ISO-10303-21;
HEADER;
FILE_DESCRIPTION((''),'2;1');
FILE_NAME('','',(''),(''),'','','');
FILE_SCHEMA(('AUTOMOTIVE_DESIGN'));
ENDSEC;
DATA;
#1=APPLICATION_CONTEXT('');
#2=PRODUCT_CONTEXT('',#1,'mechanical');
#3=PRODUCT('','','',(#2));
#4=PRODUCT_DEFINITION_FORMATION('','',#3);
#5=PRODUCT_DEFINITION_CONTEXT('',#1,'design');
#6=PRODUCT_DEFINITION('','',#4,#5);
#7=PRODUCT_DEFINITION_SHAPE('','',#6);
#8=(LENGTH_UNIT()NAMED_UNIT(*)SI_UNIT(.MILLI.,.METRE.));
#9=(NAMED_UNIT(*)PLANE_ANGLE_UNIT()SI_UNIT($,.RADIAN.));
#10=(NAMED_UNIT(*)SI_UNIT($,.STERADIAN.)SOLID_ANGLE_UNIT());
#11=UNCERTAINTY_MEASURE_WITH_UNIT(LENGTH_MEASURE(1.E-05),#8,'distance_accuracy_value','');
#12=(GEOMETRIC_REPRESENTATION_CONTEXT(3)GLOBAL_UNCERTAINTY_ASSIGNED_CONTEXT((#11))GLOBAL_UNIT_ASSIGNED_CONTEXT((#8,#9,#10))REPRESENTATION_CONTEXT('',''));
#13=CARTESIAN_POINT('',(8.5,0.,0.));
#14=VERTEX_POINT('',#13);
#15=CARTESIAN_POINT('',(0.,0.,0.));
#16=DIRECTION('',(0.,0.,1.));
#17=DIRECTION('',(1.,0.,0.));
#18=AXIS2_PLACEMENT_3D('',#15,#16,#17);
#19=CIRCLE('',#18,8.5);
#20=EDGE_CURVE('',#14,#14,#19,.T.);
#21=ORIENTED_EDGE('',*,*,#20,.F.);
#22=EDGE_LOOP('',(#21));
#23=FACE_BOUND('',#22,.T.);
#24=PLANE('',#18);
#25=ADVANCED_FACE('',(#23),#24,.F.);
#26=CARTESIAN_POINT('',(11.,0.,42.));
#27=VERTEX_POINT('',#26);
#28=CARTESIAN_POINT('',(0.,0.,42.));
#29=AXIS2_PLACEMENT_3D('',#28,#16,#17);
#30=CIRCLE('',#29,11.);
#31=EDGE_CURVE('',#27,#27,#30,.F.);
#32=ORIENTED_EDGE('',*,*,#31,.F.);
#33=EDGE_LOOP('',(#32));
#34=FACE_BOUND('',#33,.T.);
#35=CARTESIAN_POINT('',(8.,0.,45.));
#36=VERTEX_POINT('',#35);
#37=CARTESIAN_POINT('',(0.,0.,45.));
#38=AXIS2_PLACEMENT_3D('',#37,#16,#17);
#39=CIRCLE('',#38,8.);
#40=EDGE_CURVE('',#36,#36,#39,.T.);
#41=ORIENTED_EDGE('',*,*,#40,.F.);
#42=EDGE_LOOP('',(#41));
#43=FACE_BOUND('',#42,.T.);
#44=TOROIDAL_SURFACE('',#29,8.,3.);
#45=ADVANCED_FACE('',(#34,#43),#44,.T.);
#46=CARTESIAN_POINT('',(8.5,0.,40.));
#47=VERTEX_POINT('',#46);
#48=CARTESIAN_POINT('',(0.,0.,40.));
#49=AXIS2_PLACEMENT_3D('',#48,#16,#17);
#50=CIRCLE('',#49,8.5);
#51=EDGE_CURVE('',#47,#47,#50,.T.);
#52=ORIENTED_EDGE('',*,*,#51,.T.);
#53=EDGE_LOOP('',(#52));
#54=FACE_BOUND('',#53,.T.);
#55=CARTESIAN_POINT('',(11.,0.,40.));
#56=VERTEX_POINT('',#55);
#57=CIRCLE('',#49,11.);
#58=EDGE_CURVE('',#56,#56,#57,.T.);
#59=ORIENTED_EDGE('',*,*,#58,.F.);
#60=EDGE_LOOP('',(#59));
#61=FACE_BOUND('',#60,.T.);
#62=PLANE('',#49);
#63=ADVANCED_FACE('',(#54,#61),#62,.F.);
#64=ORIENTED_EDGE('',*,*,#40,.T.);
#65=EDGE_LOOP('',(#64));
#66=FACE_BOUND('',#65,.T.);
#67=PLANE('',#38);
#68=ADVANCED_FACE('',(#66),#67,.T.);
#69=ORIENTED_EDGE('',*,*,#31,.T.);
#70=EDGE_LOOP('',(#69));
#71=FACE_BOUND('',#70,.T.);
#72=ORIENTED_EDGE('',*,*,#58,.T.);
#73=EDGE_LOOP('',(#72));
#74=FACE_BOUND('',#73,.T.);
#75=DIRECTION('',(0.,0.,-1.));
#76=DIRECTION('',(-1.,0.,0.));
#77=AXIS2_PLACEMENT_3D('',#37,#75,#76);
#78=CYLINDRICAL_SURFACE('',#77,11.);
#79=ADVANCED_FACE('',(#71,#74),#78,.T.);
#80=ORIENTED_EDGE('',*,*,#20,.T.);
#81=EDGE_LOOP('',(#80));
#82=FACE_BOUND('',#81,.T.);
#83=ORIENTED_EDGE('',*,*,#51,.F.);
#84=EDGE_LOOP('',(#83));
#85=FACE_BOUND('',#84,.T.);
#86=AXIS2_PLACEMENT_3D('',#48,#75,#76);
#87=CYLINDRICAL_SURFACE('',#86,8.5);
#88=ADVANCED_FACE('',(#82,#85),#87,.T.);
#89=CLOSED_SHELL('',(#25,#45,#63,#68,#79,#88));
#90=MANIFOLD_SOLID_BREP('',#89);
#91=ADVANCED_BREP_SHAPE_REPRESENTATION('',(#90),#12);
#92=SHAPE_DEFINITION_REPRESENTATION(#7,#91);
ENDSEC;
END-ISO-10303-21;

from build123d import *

# Parameters (mm, degrees)
SKETCH1_R           = 8.5
BOSS_EXTRUDE1_DEPTH = 40
SKETCH2_R           = 11
BOSS_EXTRUDE2_DEPTH = 5
FILLET1_R           = 3


with BuildPart() as part:
    # Sketch1 → Boss-Extrude1 (new body)
    with BuildSketch(Plane.XY):
        Circle(SKETCH1_R)
    extrude(amount=BOSS_EXTRUDE1_DEPTH)

    # Sketch2 → Boss-Extrude2 (add)
    with BuildSketch(Plane.XY.offset(40)):
        Circle(SKETCH2_R)
    extrude(amount=BOSS_EXTRUDE2_DEPTH)

    # Fillet1
    fillet1_edges = [part.edges().sort_by_distance(p)[0] for p in [
        (-11, 0, 45),
    ]]
    fillet(fillet1_edges, radius=FILLET1_R)


solid = part.part
